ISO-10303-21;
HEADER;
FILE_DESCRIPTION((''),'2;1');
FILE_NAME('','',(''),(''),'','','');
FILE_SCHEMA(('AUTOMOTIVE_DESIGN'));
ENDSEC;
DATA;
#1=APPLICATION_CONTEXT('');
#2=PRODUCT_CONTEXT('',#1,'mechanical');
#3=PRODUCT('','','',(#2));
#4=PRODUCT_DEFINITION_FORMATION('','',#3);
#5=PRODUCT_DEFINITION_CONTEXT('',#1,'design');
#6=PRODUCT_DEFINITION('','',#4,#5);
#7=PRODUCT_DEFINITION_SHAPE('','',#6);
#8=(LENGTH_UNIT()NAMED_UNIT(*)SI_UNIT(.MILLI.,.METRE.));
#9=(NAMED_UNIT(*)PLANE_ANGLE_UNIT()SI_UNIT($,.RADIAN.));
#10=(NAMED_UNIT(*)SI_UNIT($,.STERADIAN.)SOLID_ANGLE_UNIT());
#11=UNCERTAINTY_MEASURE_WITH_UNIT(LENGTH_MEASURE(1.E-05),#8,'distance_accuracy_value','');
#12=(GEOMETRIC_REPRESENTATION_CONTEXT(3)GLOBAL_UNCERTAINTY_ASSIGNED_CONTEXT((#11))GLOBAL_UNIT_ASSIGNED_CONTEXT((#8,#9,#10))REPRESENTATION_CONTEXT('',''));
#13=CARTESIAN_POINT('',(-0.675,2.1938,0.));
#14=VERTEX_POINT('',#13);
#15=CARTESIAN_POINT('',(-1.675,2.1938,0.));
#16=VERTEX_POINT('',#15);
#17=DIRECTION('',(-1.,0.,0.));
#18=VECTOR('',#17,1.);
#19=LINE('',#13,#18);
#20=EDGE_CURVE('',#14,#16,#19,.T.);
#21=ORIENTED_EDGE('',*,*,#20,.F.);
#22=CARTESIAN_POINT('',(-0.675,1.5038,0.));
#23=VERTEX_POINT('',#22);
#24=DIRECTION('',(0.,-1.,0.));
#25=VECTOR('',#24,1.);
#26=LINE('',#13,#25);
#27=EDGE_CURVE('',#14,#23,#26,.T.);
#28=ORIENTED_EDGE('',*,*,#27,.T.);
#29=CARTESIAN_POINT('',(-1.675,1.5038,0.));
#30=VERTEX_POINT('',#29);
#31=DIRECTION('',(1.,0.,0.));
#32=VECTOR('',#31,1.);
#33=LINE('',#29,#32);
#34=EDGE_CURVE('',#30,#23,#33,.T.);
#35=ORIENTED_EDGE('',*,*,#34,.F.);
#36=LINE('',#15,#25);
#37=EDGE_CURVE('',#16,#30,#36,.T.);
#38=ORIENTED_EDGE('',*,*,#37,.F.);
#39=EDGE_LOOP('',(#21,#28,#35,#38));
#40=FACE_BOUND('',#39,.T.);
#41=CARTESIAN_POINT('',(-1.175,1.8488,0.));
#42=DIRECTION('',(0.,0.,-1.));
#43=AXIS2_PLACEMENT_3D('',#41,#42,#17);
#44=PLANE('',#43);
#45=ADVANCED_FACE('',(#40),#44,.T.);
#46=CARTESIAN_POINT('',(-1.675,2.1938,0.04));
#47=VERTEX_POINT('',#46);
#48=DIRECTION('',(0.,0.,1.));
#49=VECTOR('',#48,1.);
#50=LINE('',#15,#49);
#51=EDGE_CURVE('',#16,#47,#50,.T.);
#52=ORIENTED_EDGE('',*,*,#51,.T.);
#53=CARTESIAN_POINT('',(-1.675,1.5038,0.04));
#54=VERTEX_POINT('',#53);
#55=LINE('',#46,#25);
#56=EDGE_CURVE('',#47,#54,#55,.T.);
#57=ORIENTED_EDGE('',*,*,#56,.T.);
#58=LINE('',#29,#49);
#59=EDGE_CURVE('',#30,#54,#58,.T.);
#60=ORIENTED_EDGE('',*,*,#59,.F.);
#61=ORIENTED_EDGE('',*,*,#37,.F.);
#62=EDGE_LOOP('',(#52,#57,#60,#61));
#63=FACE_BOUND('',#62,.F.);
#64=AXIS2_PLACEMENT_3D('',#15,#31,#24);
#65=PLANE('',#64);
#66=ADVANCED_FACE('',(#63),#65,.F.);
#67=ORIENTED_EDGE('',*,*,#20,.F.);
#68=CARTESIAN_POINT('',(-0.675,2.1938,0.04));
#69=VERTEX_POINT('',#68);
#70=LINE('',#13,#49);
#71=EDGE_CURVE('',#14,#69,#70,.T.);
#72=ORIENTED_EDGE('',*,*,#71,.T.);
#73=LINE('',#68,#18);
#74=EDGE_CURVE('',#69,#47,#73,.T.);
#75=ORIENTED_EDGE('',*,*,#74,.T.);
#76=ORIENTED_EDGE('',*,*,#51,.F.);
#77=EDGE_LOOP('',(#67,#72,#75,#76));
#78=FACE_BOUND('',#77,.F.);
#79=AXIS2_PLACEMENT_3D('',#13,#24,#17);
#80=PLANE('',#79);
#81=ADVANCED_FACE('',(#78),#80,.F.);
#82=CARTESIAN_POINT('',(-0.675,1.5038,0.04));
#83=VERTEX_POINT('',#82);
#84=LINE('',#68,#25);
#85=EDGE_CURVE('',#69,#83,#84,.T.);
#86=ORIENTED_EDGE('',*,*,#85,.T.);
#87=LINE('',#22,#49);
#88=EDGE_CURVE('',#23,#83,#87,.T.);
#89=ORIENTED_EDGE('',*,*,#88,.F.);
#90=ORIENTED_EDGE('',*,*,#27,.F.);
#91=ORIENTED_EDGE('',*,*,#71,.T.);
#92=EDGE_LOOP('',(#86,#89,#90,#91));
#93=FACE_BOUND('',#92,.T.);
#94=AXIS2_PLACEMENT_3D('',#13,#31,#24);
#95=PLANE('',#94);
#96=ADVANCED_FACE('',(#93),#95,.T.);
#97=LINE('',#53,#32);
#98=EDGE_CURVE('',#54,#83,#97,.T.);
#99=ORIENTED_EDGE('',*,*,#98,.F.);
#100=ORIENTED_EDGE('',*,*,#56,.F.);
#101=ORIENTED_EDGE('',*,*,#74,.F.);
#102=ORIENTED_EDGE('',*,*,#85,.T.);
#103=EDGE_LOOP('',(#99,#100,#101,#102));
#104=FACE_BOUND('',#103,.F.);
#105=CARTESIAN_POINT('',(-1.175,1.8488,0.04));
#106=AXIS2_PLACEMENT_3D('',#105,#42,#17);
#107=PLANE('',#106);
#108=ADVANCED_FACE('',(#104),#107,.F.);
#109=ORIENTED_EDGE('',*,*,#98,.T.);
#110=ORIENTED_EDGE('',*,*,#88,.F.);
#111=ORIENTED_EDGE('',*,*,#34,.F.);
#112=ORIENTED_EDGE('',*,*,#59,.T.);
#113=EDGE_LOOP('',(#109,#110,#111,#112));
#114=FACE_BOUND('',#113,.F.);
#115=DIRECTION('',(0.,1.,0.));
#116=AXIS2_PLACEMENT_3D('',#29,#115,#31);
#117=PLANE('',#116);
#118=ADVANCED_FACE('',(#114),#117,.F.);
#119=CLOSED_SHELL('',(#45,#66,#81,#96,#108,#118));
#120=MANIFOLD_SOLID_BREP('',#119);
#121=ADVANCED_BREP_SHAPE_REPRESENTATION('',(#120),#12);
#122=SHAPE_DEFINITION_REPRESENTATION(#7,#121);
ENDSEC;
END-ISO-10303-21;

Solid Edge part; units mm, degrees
sketch "Sketch1" plane through (0, 0, 0) normal (0, 0, 1) x (1, 0, 0)
  line L0 (-0.675, 2.1938) -> (-0.675, 1.5038)
  line L1 (-1.675, 1.5038) -> (-0.675, 1.5038)
  line L2 (-1.675, 2.1938) -> (-1.675, 1.5038)
  line L3 (-0.675, 2.1938) -> (-1.675, 2.1938)
extrude "Protrusion1" add sketch "Sketch1" along normal blind 0.04
